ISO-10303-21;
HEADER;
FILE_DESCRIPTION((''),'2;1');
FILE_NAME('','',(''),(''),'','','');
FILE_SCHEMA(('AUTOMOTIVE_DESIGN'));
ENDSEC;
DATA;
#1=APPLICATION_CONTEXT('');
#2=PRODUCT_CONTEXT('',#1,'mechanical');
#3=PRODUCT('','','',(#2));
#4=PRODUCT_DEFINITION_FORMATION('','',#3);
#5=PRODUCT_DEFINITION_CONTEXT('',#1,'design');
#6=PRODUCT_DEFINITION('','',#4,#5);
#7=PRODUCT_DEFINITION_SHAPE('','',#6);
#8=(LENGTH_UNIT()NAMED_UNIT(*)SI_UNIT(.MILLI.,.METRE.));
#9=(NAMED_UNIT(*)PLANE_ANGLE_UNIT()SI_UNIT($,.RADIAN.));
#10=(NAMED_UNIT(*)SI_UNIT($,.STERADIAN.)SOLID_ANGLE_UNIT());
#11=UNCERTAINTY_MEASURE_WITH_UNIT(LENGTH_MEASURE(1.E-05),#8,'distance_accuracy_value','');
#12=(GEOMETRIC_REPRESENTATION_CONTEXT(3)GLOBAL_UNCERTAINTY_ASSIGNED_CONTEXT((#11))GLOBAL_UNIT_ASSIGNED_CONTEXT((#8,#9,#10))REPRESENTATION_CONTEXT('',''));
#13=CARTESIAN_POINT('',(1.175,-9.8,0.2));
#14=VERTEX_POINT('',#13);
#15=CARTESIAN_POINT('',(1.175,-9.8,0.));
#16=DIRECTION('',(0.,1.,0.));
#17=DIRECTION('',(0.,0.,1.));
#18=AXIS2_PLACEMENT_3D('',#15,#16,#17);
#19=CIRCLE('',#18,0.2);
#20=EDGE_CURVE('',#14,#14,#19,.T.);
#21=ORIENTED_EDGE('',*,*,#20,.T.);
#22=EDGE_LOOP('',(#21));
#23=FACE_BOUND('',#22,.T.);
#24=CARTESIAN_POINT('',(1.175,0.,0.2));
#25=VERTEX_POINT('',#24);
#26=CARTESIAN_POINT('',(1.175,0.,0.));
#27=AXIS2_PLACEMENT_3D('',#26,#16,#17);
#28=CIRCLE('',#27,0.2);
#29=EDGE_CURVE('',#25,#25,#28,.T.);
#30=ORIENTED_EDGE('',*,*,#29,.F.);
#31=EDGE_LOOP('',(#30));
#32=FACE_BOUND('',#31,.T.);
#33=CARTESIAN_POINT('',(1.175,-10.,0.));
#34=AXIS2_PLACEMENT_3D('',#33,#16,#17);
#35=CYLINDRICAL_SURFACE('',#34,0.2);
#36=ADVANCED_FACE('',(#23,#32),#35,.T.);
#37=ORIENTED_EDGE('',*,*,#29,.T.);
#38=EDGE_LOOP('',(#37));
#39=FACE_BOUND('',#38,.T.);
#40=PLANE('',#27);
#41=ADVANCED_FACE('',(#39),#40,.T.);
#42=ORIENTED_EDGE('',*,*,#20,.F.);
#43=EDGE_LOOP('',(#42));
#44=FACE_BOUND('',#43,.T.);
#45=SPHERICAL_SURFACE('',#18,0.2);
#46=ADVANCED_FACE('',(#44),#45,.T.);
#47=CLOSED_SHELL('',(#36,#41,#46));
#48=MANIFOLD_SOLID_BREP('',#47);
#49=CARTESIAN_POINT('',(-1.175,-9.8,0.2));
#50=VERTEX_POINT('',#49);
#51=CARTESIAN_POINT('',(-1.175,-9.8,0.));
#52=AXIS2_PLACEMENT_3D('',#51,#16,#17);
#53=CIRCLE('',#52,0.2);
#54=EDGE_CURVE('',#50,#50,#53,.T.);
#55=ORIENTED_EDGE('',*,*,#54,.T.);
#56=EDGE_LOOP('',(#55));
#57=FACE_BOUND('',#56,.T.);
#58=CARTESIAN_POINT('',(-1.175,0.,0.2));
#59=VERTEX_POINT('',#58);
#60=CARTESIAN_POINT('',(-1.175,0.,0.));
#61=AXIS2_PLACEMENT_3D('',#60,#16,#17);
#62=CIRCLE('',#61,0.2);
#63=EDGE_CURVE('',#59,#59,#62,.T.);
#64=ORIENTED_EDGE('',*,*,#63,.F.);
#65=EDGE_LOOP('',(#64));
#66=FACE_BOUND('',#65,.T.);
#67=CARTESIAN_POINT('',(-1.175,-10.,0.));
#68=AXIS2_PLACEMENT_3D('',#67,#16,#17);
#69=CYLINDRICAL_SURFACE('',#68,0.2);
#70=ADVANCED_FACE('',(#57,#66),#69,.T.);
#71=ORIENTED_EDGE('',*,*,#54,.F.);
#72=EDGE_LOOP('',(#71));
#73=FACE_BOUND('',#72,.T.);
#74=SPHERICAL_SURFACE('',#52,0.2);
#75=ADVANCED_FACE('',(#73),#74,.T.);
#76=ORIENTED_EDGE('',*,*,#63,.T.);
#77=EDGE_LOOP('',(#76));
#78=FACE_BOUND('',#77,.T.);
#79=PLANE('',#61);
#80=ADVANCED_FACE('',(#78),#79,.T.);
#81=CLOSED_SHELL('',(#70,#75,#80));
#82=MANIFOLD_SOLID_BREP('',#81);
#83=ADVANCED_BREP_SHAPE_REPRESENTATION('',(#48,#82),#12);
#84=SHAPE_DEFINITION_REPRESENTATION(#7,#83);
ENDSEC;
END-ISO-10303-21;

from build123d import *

# Parameters (mm, degrees)
SKETCH3_R             = 0.2
BOSS_EXTRUDE1_DEPTH   = 10
BOSS_EXTRUDE1_2_DEPTH = 10
FILLET3_R             = 0.2
FILLET4_R             = 0.2


with BuildPart() as part:
    # Sketch3 → Boss-Extrude1 (new body)
    with BuildSketch(Plane(origin=(0, 0, 0), x_dir=(1, 0, 0), z_dir=(0, 1, 0))):
        with Locations((1.175, 0)):
            Circle(SKETCH3_R)
    extrude(amount=-BOSS_EXTRUDE1_DEPTH)

    # Fillet3
    fillet3_edges = [part.edges().sort_by_distance(p)[0] for p in [
        (0.975, -10, 0),
    ]]
    fillet(fillet3_edges, radius=FILLET3_R)


with BuildPart() as body_2:
    # Sketch3 → Boss-Extrude1 2 (new body)
    with BuildSketch(Plane(origin=(0, 0, 0), x_dir=(1, 0, 0), z_dir=(0, 1, 0))):
        with Locations((-1.175, 0)):
            Circle(SKETCH3_R)
    extrude(amount=-BOSS_EXTRUDE1_2_DEPTH)

    # Fillet4
    fillet4_edges = [body_2.edges().sort_by_distance(p)[0] for p in [
        (-1.375, -10, 0),
    ]]
    fillet(fillet4_edges, radius=FILLET4_R)


solid = Compound([part.part, body_2.part])
